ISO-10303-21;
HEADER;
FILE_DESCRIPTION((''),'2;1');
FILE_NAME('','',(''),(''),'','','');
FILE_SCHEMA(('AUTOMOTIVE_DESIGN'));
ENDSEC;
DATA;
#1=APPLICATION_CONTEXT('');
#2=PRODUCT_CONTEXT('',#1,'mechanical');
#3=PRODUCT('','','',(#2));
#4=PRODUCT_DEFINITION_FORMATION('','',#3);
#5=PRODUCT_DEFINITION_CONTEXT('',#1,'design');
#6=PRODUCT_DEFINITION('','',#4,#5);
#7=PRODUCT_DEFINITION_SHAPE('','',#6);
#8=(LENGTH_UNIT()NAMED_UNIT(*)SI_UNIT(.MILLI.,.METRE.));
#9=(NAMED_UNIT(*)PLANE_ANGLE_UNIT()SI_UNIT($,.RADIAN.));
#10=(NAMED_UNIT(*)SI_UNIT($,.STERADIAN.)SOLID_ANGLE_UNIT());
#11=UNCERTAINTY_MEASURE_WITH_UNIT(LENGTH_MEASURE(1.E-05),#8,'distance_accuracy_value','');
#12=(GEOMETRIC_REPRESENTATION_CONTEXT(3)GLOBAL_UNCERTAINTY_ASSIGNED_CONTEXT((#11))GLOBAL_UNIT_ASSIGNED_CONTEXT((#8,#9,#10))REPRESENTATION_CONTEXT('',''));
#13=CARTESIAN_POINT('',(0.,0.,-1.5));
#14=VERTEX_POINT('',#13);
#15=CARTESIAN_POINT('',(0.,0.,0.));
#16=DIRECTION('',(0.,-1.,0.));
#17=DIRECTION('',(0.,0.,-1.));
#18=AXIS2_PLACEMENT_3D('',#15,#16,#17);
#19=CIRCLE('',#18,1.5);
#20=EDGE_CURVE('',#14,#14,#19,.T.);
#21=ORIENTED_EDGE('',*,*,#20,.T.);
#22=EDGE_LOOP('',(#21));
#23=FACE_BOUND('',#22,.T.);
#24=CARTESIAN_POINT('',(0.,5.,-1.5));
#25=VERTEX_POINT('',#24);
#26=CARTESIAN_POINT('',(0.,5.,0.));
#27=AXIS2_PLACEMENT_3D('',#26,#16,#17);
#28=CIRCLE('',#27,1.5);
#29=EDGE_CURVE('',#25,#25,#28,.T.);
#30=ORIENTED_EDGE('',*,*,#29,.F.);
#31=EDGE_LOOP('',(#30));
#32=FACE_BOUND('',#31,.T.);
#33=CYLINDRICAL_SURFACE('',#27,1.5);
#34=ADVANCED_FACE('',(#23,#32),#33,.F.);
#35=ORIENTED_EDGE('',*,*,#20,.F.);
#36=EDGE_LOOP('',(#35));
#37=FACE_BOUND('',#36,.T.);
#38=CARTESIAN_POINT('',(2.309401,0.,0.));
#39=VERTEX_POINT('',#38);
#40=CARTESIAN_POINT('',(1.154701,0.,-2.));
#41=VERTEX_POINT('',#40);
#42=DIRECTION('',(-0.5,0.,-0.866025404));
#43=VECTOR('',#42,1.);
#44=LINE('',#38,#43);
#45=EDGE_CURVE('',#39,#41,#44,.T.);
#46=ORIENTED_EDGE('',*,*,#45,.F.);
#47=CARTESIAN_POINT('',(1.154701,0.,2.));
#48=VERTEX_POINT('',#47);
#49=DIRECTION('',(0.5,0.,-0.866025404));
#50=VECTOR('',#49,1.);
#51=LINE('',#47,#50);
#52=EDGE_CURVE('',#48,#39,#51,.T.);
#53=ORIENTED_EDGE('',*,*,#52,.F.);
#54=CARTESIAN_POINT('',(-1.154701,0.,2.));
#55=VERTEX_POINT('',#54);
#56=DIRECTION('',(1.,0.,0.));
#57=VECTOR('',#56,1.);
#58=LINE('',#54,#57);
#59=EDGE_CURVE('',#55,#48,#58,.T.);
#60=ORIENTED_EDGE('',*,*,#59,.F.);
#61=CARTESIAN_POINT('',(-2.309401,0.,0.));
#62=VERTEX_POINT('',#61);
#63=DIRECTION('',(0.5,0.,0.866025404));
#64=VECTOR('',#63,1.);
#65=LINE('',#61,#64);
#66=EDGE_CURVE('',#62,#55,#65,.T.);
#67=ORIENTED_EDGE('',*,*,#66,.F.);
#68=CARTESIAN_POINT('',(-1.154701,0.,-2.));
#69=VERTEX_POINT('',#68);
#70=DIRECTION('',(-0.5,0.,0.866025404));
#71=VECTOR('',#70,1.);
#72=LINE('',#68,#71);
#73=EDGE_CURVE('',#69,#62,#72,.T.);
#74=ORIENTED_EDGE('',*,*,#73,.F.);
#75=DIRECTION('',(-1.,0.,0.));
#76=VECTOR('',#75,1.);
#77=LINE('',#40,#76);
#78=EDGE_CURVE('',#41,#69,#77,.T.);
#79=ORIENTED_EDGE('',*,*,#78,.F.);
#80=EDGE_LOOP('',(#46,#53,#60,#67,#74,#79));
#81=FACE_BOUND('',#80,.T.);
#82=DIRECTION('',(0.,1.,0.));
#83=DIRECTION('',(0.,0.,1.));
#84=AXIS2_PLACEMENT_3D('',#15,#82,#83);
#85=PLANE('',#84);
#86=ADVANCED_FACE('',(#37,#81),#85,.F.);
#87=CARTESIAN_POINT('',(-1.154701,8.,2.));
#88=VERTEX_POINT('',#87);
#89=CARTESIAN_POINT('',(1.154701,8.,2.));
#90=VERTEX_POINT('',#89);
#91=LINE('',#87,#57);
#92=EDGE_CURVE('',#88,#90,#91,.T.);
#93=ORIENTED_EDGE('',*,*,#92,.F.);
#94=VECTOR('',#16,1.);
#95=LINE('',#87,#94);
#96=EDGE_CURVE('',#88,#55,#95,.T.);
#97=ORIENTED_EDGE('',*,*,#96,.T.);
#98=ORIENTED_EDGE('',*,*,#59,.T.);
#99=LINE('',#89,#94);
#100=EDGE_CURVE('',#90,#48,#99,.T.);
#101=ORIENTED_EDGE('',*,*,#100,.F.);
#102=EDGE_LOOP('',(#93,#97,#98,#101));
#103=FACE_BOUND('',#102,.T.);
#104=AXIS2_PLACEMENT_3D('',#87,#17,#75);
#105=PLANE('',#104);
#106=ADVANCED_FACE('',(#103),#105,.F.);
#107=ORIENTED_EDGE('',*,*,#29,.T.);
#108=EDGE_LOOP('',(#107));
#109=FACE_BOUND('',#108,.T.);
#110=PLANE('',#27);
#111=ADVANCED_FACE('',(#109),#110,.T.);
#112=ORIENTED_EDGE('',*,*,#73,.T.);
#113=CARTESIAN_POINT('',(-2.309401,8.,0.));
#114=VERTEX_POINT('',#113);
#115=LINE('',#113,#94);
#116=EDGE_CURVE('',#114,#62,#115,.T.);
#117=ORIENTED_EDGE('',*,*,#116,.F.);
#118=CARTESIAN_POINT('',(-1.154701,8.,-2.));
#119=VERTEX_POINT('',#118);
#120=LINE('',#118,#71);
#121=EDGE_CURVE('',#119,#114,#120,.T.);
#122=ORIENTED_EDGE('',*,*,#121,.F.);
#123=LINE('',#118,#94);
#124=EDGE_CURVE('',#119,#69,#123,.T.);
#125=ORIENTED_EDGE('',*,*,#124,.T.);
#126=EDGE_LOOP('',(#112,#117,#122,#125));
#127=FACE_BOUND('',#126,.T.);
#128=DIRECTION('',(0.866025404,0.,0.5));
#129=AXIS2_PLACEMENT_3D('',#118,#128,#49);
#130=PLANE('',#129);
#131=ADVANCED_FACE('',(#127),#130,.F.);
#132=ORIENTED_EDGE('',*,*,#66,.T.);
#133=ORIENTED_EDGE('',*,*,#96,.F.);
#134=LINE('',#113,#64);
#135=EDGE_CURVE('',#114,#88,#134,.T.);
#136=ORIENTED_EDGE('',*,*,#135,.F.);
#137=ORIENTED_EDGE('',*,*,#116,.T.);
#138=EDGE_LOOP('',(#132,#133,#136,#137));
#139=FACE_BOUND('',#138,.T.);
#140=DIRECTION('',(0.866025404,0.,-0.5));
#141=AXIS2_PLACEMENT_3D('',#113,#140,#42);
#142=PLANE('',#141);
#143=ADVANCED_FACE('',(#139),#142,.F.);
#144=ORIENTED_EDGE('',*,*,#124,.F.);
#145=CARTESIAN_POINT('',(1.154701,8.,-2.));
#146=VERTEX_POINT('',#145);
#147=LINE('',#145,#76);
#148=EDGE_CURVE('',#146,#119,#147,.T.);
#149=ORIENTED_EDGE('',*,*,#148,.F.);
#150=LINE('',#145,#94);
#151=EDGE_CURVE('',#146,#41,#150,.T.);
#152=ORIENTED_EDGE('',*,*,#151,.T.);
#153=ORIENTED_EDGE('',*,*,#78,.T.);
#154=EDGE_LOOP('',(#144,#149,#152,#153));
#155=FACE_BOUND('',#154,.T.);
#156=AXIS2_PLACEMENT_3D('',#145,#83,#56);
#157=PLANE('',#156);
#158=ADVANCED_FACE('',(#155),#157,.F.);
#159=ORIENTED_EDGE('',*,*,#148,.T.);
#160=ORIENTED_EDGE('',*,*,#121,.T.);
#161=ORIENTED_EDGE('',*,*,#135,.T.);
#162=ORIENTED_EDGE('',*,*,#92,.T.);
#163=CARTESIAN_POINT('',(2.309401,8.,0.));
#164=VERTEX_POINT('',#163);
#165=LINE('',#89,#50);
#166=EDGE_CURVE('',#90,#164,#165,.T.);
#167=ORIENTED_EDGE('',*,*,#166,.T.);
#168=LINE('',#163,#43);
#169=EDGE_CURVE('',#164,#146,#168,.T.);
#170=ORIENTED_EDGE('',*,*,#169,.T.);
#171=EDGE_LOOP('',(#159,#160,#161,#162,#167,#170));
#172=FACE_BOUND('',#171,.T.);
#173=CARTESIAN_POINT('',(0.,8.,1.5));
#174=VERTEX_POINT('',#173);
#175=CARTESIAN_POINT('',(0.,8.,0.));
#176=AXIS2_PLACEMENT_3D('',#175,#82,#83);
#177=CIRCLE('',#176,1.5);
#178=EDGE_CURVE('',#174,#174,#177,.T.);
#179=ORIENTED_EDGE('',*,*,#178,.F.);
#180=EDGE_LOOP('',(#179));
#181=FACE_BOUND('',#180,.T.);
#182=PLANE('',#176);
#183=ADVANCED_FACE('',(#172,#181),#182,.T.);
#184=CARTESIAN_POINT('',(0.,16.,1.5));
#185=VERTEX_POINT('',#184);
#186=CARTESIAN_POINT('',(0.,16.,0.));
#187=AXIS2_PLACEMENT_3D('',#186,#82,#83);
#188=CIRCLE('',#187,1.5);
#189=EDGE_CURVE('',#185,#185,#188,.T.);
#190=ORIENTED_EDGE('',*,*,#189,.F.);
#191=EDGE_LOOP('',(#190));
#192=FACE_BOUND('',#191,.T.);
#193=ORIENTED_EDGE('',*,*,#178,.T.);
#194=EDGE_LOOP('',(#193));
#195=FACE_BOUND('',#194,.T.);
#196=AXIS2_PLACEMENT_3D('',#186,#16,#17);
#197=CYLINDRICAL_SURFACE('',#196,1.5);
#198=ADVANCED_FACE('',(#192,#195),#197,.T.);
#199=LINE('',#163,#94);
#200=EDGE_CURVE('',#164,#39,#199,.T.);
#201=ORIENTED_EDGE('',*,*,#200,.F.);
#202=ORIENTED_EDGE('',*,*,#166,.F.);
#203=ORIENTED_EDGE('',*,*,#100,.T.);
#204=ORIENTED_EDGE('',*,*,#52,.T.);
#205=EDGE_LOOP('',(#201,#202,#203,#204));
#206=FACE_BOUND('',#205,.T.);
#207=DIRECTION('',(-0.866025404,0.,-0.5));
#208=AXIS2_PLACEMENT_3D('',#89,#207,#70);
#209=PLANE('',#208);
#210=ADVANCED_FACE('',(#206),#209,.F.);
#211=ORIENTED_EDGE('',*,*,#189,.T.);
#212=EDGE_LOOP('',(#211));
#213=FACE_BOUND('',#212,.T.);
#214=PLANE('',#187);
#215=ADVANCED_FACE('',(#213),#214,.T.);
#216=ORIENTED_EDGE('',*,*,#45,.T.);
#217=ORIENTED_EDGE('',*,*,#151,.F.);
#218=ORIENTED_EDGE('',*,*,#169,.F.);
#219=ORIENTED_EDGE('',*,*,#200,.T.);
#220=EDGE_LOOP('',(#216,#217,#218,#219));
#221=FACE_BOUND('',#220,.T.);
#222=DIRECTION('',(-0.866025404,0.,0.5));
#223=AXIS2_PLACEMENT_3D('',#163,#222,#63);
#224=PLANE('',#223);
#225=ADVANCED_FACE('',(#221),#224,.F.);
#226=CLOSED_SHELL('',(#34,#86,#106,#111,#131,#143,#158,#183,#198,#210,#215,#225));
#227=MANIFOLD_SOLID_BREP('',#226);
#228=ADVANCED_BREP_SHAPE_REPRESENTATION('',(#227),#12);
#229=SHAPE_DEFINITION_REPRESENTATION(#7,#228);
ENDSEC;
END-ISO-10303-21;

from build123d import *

# Parameters (mm, degrees)
EXTRUDE_1_DEPTH     = 8
SKETCH_2_R          = 1.5
EXTRUDE_2_DEPTH     = 8
SKETCH_3_R          = 1.5
CUT_EXTRUDE_1_DEPTH = 5


with BuildPart() as part:
    # 草图1 → 凸台-拉伸1 (new body)
    with BuildSketch(Plane(origin=(0, 0, 0), x_dir=(1, 0, 0), z_dir=(0, 1, 0))):
        Polygon((-1.154700538, -2), (1.154700538, -2), (2.309401077, 0), (1.154700538, 2), (-1.154700538, 2), (-2.309401077, 0), align=None)
    extrude(amount=EXTRUDE_1_DEPTH)

    # 草图2 → 凸台-拉伸2 (add)
    with BuildSketch(Plane(origin=(0, 8, 0), x_dir=(1, 0, 0), z_dir=(0, 1, 0))):
        Circle(SKETCH_2_R)
    extrude(amount=EXTRUDE_2_DEPTH)

    # 草图3 → 切除-拉伸1 (cut)
    with BuildSketch(Plane.XZ):
        Circle(SKETCH_3_R)
    extrude(amount=-CUT_EXTRUDE_1_DEPTH, mode=Mode.SUBTRACT)


solid = part.part
